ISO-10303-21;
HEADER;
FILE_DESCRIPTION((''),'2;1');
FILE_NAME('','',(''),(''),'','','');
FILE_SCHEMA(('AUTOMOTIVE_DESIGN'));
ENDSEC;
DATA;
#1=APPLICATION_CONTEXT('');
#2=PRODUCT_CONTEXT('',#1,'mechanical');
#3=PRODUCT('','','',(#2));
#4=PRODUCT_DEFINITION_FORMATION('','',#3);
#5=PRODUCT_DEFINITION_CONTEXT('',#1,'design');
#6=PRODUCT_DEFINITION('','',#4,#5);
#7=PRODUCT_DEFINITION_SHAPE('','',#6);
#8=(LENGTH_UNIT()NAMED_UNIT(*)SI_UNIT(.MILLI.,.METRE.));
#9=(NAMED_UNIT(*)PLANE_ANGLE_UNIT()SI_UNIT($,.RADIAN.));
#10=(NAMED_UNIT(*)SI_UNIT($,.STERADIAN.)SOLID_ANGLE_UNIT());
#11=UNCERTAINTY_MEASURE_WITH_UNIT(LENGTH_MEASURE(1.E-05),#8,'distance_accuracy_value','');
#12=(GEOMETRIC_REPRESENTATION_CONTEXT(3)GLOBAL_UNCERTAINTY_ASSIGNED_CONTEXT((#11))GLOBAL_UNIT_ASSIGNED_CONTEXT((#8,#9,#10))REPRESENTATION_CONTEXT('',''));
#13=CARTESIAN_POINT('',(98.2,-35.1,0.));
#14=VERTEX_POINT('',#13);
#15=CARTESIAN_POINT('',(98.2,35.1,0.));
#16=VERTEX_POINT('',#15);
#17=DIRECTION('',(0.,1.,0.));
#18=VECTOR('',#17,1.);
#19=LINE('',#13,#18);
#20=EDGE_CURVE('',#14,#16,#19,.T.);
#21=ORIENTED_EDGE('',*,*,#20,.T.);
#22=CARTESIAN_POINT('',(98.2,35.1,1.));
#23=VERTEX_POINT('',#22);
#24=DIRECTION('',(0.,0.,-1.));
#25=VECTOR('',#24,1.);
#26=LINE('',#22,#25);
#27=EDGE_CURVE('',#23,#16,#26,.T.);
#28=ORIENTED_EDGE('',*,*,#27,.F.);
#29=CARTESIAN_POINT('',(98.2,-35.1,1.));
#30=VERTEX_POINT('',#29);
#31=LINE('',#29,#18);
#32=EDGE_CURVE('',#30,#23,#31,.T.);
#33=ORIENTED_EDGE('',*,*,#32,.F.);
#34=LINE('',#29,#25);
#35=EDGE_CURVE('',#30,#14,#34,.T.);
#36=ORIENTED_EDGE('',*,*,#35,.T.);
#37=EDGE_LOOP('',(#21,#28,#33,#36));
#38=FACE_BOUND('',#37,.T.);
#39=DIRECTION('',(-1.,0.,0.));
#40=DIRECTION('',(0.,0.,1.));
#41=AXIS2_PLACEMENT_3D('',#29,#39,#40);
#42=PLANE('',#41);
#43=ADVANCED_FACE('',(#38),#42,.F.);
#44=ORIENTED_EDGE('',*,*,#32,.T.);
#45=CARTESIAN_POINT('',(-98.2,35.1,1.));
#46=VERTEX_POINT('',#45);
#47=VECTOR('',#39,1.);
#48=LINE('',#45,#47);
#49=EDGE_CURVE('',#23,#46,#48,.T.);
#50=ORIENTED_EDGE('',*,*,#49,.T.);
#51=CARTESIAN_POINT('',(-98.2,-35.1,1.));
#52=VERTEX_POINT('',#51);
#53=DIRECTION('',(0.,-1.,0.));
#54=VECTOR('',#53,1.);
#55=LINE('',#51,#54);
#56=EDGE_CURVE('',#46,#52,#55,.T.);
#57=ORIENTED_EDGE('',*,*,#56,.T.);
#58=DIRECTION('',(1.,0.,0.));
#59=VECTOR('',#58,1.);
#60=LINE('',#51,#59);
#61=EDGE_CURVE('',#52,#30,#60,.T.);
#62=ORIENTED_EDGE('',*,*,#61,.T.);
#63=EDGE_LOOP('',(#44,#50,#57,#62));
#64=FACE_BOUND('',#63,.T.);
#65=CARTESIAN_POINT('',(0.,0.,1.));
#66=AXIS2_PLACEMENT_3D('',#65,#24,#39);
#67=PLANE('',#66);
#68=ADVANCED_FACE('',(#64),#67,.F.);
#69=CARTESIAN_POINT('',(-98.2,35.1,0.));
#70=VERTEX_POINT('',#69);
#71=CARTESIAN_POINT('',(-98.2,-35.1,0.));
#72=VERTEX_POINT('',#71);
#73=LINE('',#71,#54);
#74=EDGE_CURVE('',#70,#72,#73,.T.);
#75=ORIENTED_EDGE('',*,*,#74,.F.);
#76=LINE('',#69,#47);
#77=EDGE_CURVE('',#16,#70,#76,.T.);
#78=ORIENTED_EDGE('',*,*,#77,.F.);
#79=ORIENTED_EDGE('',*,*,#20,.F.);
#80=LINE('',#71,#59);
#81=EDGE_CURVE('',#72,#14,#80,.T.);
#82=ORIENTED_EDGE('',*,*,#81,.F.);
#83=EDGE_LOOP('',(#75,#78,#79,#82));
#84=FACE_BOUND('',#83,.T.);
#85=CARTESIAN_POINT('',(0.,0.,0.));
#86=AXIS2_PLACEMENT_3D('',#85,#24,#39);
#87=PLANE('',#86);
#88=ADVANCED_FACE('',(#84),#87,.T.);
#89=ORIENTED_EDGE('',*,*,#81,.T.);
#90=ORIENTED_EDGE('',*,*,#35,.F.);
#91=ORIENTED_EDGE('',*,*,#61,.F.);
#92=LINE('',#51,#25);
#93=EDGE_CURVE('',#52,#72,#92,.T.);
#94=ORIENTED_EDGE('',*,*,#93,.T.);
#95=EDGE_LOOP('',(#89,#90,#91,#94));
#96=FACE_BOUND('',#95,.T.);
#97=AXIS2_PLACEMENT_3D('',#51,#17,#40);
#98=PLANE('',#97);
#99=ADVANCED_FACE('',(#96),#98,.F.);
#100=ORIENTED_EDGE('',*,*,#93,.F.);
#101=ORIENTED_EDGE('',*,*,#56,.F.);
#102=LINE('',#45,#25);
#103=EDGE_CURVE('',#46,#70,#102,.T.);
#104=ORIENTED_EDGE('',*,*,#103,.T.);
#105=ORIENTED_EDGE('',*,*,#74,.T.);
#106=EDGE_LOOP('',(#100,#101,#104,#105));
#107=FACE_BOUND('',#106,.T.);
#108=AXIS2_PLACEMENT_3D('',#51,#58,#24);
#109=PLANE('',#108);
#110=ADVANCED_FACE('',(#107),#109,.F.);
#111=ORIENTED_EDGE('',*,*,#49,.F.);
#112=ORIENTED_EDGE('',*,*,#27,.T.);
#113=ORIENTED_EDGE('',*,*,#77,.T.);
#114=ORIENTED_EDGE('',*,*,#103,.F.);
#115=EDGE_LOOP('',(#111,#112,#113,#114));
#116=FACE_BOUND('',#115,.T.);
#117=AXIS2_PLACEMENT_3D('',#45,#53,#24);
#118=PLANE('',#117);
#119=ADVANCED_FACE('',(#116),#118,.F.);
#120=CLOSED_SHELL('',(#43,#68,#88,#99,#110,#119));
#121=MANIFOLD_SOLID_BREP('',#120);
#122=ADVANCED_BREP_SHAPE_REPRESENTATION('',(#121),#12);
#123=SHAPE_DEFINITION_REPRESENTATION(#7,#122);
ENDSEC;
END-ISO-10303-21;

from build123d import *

# Parameters (mm, degrees)
CROQUIS1_W              = 196.4
CROQUIS1_H              = 70.2
SALIENTE_EXTRUIR1_DEPTH = 1


with BuildPart() as part:
    # Croquis1 → Saliente-Extruir1 (new body)
    with BuildSketch(Plane.XY):
        Rectangle(CROQUIS1_W, CROQUIS1_H)
    extrude(amount=SALIENTE_EXTRUIR1_DEPTH)


solid = part.part
